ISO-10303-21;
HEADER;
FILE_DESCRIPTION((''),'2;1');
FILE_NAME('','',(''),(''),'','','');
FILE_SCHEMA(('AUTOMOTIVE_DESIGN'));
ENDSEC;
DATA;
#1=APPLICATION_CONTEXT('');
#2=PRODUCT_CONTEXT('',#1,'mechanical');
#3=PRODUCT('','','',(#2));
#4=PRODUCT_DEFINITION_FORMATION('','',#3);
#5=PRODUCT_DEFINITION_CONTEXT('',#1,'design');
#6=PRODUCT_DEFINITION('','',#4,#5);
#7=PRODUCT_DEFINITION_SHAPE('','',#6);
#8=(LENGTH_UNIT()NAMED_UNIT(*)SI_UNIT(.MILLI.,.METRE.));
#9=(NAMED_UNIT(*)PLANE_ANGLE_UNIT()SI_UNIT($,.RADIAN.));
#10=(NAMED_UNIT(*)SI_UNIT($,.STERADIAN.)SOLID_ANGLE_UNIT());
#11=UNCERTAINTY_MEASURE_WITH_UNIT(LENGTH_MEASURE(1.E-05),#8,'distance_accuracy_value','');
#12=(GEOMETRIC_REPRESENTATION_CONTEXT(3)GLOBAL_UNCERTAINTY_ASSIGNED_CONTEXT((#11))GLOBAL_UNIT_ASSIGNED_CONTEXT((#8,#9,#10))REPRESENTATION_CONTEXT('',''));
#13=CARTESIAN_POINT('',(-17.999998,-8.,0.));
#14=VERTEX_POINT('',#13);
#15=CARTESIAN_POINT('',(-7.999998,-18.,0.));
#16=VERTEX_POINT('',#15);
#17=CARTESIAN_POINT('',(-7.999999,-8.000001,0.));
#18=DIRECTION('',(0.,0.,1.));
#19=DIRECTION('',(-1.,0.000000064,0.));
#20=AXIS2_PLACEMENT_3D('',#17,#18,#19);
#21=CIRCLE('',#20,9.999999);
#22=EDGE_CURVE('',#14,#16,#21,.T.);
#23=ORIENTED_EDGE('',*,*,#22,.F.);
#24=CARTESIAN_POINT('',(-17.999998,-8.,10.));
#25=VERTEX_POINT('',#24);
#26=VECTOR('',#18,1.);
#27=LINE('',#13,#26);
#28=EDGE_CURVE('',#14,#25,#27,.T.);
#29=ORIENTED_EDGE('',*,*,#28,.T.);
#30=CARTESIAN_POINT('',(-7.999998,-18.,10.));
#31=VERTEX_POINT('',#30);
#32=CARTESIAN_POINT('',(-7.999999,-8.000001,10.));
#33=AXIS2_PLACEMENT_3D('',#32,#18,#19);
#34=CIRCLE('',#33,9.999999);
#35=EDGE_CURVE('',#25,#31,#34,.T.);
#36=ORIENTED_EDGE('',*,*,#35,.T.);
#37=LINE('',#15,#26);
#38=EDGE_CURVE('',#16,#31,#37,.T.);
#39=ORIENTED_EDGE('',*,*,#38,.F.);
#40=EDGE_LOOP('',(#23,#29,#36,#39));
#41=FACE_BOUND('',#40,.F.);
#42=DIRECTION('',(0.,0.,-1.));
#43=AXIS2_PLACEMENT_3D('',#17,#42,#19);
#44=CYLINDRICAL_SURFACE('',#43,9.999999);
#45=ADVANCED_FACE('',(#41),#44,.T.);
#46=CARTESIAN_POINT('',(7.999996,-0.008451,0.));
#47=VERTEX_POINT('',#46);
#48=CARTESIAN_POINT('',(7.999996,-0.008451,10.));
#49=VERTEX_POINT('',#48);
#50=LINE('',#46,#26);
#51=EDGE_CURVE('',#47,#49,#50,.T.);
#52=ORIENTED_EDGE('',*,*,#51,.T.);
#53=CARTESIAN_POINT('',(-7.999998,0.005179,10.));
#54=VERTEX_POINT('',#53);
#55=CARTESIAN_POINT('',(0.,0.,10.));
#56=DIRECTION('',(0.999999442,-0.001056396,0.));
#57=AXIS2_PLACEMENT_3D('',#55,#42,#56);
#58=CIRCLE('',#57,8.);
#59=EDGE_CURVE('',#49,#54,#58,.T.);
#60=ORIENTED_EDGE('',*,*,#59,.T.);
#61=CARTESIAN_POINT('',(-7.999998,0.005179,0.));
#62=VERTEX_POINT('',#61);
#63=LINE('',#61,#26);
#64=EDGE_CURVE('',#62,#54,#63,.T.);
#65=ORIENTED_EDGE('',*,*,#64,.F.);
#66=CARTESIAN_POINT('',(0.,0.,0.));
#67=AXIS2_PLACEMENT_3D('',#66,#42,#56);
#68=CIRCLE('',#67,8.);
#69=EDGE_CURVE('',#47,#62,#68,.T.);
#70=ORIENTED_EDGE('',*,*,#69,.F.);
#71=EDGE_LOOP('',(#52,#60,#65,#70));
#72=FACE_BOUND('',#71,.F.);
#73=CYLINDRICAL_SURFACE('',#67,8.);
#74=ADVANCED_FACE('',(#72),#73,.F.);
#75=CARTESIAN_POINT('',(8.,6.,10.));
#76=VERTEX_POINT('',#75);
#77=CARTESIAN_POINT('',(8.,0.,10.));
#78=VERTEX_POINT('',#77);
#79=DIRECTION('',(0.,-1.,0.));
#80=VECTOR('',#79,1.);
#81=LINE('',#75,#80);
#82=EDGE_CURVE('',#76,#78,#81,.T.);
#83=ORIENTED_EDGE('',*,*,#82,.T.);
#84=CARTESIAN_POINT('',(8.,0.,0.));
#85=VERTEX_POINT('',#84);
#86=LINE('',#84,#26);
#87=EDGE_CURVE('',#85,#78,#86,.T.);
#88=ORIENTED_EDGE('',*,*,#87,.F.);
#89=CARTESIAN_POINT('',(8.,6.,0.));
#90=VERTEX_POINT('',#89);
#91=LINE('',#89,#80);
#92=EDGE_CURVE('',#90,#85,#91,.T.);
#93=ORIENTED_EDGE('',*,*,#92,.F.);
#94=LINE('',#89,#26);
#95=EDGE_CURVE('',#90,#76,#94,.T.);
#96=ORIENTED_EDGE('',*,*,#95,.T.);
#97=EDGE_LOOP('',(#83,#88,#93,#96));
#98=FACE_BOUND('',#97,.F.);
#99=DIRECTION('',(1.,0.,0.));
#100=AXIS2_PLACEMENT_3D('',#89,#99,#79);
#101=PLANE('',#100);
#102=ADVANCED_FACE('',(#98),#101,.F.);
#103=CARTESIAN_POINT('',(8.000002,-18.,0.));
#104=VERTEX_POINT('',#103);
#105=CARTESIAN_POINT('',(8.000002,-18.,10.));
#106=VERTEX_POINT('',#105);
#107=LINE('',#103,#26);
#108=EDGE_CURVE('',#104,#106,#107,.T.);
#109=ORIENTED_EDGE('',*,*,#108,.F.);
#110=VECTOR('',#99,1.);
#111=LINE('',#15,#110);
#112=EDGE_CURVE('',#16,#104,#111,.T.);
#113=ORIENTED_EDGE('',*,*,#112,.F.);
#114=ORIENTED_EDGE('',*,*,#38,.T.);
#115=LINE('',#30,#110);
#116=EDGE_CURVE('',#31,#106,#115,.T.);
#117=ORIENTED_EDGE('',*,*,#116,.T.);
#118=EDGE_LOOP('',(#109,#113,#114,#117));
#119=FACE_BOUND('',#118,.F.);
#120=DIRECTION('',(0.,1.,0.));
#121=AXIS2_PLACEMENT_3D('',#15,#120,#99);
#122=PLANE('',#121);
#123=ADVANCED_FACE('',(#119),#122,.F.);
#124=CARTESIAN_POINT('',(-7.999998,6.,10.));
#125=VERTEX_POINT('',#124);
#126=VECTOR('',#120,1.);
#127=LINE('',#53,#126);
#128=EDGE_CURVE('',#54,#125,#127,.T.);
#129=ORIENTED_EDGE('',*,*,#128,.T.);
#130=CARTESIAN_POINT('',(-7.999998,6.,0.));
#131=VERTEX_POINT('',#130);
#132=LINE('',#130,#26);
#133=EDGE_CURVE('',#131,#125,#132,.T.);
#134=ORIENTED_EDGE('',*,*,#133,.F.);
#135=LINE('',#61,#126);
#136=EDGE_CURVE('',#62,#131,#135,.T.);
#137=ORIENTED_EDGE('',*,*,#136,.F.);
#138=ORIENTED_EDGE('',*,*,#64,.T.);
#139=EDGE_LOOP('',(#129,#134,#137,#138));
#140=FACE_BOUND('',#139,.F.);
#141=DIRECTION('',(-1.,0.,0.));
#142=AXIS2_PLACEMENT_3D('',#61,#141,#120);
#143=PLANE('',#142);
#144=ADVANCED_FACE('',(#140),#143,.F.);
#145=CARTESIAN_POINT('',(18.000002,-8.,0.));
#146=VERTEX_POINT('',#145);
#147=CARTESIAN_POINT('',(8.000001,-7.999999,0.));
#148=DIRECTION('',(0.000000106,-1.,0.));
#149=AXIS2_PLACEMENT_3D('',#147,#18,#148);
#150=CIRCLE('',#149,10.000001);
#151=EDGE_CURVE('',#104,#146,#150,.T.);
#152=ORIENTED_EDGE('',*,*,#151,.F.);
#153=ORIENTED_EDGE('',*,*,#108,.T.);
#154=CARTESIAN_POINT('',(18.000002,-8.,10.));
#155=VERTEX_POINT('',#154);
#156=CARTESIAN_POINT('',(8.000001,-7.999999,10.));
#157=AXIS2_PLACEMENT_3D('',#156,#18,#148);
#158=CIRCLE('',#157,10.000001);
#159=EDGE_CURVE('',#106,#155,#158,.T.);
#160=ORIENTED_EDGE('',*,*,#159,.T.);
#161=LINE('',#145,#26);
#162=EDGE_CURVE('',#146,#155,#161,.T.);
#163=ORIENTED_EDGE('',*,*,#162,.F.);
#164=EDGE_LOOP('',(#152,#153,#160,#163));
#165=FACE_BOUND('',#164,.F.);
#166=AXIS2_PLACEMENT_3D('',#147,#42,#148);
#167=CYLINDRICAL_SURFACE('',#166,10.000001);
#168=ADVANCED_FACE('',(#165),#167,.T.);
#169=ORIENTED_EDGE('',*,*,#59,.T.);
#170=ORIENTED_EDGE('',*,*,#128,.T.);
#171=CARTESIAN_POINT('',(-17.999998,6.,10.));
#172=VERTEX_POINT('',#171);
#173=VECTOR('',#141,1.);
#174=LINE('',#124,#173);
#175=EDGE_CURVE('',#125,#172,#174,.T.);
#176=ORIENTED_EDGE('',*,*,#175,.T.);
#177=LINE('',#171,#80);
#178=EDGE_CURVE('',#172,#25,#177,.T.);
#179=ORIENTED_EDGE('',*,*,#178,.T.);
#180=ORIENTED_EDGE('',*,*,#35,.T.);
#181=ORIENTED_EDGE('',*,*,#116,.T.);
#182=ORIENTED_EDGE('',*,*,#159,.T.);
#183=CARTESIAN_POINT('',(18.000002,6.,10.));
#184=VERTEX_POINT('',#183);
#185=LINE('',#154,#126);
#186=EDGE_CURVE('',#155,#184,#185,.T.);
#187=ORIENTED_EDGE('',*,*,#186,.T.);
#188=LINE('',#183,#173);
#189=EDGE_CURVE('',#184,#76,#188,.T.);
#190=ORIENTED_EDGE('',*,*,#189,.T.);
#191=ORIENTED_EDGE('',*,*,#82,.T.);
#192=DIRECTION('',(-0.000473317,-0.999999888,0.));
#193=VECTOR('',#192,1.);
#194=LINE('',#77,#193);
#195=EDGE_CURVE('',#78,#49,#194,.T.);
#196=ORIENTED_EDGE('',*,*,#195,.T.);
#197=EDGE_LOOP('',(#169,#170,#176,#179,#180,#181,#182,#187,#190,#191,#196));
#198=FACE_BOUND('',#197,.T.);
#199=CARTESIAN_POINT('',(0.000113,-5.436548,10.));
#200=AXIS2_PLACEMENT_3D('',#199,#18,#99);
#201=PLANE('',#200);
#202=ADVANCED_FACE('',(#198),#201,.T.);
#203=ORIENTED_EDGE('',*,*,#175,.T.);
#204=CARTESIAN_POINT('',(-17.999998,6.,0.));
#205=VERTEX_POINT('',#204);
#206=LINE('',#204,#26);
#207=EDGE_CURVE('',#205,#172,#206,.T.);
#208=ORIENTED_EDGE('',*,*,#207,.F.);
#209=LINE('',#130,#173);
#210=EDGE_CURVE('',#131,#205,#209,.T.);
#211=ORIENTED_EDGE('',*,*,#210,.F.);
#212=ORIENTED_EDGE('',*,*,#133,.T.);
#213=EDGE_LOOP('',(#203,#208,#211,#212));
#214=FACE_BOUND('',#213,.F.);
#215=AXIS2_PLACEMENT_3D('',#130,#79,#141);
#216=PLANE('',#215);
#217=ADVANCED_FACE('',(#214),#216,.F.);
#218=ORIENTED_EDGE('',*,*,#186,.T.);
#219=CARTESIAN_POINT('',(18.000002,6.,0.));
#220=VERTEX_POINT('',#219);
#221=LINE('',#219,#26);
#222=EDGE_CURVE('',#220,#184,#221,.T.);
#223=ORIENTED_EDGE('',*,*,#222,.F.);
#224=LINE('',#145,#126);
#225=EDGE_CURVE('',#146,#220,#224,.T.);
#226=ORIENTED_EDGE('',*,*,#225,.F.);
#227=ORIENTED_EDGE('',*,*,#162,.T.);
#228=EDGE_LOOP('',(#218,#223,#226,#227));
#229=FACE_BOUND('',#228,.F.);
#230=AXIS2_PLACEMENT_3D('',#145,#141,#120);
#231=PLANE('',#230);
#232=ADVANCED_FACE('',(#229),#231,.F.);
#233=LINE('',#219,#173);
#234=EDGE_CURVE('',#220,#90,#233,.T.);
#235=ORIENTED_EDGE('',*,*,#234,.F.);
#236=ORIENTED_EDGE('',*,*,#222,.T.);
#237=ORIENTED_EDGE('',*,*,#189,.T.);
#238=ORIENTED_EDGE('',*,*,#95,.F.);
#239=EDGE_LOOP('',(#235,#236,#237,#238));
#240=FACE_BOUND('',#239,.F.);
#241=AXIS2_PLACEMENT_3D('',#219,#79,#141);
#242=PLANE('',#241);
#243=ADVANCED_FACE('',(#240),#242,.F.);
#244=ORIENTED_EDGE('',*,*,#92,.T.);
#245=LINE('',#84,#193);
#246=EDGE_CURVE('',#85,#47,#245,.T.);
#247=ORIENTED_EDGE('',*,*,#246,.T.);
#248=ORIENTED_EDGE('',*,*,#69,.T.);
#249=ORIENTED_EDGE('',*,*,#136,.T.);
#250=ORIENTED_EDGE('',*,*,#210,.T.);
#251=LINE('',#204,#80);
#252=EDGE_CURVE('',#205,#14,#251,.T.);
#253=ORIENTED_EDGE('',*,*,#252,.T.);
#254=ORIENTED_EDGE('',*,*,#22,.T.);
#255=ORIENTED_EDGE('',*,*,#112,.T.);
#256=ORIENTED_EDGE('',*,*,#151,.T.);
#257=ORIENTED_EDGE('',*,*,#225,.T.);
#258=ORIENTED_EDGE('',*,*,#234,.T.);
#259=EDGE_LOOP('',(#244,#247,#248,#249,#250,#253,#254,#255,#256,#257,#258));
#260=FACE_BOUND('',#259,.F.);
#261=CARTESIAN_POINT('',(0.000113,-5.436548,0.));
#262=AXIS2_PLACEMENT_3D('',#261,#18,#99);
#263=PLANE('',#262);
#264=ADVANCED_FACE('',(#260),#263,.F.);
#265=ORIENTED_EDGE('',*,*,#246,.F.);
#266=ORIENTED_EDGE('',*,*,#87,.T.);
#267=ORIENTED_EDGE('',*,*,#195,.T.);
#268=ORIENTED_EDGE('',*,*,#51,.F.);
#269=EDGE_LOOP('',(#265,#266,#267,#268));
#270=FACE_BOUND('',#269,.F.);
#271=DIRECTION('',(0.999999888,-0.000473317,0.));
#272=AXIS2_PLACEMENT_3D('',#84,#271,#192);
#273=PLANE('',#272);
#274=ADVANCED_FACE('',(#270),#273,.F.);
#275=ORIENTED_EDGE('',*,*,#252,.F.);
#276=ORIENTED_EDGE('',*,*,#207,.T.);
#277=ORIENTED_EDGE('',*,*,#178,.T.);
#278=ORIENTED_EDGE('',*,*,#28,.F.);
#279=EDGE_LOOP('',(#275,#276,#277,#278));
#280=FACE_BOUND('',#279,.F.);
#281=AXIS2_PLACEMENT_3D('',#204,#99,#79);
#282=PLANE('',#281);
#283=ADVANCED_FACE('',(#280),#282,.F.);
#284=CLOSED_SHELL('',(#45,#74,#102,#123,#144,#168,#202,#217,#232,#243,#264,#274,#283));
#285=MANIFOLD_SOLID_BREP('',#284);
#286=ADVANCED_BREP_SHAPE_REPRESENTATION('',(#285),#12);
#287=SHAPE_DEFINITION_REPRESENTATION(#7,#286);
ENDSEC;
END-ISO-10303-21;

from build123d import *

# Parameters (mm, degrees)
F1_DEPTH = 10


with BuildPart() as f1:
    # F0 (on Top) → F1 (new body)
    with BuildSketch(Plane.XY):
        with BuildLine():
            ThreePointArc((-17.999998, -8), (-15.071066, -15.071068), (-7.999998, -18))
            Line((-7.999998, -18), (8.000002, -18))
            ThreePointArc((8.000002, -18), (15.071069, -15.071068), (18.000002, -8))
            Line((18.000002, -8), (18.000002, 0))
            Line((18.000002, 0), (18.000002, 6))
            Line((18.000002, 6), (8, 6))
            Line((8, 6), (8, 0))
            Line((8, 0), (7.999996, -0.008451))
            ThreePointArc((7.999996, -0.008451), (-0.006815, -7.999997), (-7.999998, 0.005179))
            Line((-7.999998, 0.005179), (-7.999998, 6))
            Line((-7.999998, 6), (-17.999998, 6))
            Line((-17.999998, 6), (-17.999998, 0))
            Line((-17.999998, 0), (-17.999998, -8))
        make_face()
    extrude(amount=F1_DEPTH)


solid = f1.part
